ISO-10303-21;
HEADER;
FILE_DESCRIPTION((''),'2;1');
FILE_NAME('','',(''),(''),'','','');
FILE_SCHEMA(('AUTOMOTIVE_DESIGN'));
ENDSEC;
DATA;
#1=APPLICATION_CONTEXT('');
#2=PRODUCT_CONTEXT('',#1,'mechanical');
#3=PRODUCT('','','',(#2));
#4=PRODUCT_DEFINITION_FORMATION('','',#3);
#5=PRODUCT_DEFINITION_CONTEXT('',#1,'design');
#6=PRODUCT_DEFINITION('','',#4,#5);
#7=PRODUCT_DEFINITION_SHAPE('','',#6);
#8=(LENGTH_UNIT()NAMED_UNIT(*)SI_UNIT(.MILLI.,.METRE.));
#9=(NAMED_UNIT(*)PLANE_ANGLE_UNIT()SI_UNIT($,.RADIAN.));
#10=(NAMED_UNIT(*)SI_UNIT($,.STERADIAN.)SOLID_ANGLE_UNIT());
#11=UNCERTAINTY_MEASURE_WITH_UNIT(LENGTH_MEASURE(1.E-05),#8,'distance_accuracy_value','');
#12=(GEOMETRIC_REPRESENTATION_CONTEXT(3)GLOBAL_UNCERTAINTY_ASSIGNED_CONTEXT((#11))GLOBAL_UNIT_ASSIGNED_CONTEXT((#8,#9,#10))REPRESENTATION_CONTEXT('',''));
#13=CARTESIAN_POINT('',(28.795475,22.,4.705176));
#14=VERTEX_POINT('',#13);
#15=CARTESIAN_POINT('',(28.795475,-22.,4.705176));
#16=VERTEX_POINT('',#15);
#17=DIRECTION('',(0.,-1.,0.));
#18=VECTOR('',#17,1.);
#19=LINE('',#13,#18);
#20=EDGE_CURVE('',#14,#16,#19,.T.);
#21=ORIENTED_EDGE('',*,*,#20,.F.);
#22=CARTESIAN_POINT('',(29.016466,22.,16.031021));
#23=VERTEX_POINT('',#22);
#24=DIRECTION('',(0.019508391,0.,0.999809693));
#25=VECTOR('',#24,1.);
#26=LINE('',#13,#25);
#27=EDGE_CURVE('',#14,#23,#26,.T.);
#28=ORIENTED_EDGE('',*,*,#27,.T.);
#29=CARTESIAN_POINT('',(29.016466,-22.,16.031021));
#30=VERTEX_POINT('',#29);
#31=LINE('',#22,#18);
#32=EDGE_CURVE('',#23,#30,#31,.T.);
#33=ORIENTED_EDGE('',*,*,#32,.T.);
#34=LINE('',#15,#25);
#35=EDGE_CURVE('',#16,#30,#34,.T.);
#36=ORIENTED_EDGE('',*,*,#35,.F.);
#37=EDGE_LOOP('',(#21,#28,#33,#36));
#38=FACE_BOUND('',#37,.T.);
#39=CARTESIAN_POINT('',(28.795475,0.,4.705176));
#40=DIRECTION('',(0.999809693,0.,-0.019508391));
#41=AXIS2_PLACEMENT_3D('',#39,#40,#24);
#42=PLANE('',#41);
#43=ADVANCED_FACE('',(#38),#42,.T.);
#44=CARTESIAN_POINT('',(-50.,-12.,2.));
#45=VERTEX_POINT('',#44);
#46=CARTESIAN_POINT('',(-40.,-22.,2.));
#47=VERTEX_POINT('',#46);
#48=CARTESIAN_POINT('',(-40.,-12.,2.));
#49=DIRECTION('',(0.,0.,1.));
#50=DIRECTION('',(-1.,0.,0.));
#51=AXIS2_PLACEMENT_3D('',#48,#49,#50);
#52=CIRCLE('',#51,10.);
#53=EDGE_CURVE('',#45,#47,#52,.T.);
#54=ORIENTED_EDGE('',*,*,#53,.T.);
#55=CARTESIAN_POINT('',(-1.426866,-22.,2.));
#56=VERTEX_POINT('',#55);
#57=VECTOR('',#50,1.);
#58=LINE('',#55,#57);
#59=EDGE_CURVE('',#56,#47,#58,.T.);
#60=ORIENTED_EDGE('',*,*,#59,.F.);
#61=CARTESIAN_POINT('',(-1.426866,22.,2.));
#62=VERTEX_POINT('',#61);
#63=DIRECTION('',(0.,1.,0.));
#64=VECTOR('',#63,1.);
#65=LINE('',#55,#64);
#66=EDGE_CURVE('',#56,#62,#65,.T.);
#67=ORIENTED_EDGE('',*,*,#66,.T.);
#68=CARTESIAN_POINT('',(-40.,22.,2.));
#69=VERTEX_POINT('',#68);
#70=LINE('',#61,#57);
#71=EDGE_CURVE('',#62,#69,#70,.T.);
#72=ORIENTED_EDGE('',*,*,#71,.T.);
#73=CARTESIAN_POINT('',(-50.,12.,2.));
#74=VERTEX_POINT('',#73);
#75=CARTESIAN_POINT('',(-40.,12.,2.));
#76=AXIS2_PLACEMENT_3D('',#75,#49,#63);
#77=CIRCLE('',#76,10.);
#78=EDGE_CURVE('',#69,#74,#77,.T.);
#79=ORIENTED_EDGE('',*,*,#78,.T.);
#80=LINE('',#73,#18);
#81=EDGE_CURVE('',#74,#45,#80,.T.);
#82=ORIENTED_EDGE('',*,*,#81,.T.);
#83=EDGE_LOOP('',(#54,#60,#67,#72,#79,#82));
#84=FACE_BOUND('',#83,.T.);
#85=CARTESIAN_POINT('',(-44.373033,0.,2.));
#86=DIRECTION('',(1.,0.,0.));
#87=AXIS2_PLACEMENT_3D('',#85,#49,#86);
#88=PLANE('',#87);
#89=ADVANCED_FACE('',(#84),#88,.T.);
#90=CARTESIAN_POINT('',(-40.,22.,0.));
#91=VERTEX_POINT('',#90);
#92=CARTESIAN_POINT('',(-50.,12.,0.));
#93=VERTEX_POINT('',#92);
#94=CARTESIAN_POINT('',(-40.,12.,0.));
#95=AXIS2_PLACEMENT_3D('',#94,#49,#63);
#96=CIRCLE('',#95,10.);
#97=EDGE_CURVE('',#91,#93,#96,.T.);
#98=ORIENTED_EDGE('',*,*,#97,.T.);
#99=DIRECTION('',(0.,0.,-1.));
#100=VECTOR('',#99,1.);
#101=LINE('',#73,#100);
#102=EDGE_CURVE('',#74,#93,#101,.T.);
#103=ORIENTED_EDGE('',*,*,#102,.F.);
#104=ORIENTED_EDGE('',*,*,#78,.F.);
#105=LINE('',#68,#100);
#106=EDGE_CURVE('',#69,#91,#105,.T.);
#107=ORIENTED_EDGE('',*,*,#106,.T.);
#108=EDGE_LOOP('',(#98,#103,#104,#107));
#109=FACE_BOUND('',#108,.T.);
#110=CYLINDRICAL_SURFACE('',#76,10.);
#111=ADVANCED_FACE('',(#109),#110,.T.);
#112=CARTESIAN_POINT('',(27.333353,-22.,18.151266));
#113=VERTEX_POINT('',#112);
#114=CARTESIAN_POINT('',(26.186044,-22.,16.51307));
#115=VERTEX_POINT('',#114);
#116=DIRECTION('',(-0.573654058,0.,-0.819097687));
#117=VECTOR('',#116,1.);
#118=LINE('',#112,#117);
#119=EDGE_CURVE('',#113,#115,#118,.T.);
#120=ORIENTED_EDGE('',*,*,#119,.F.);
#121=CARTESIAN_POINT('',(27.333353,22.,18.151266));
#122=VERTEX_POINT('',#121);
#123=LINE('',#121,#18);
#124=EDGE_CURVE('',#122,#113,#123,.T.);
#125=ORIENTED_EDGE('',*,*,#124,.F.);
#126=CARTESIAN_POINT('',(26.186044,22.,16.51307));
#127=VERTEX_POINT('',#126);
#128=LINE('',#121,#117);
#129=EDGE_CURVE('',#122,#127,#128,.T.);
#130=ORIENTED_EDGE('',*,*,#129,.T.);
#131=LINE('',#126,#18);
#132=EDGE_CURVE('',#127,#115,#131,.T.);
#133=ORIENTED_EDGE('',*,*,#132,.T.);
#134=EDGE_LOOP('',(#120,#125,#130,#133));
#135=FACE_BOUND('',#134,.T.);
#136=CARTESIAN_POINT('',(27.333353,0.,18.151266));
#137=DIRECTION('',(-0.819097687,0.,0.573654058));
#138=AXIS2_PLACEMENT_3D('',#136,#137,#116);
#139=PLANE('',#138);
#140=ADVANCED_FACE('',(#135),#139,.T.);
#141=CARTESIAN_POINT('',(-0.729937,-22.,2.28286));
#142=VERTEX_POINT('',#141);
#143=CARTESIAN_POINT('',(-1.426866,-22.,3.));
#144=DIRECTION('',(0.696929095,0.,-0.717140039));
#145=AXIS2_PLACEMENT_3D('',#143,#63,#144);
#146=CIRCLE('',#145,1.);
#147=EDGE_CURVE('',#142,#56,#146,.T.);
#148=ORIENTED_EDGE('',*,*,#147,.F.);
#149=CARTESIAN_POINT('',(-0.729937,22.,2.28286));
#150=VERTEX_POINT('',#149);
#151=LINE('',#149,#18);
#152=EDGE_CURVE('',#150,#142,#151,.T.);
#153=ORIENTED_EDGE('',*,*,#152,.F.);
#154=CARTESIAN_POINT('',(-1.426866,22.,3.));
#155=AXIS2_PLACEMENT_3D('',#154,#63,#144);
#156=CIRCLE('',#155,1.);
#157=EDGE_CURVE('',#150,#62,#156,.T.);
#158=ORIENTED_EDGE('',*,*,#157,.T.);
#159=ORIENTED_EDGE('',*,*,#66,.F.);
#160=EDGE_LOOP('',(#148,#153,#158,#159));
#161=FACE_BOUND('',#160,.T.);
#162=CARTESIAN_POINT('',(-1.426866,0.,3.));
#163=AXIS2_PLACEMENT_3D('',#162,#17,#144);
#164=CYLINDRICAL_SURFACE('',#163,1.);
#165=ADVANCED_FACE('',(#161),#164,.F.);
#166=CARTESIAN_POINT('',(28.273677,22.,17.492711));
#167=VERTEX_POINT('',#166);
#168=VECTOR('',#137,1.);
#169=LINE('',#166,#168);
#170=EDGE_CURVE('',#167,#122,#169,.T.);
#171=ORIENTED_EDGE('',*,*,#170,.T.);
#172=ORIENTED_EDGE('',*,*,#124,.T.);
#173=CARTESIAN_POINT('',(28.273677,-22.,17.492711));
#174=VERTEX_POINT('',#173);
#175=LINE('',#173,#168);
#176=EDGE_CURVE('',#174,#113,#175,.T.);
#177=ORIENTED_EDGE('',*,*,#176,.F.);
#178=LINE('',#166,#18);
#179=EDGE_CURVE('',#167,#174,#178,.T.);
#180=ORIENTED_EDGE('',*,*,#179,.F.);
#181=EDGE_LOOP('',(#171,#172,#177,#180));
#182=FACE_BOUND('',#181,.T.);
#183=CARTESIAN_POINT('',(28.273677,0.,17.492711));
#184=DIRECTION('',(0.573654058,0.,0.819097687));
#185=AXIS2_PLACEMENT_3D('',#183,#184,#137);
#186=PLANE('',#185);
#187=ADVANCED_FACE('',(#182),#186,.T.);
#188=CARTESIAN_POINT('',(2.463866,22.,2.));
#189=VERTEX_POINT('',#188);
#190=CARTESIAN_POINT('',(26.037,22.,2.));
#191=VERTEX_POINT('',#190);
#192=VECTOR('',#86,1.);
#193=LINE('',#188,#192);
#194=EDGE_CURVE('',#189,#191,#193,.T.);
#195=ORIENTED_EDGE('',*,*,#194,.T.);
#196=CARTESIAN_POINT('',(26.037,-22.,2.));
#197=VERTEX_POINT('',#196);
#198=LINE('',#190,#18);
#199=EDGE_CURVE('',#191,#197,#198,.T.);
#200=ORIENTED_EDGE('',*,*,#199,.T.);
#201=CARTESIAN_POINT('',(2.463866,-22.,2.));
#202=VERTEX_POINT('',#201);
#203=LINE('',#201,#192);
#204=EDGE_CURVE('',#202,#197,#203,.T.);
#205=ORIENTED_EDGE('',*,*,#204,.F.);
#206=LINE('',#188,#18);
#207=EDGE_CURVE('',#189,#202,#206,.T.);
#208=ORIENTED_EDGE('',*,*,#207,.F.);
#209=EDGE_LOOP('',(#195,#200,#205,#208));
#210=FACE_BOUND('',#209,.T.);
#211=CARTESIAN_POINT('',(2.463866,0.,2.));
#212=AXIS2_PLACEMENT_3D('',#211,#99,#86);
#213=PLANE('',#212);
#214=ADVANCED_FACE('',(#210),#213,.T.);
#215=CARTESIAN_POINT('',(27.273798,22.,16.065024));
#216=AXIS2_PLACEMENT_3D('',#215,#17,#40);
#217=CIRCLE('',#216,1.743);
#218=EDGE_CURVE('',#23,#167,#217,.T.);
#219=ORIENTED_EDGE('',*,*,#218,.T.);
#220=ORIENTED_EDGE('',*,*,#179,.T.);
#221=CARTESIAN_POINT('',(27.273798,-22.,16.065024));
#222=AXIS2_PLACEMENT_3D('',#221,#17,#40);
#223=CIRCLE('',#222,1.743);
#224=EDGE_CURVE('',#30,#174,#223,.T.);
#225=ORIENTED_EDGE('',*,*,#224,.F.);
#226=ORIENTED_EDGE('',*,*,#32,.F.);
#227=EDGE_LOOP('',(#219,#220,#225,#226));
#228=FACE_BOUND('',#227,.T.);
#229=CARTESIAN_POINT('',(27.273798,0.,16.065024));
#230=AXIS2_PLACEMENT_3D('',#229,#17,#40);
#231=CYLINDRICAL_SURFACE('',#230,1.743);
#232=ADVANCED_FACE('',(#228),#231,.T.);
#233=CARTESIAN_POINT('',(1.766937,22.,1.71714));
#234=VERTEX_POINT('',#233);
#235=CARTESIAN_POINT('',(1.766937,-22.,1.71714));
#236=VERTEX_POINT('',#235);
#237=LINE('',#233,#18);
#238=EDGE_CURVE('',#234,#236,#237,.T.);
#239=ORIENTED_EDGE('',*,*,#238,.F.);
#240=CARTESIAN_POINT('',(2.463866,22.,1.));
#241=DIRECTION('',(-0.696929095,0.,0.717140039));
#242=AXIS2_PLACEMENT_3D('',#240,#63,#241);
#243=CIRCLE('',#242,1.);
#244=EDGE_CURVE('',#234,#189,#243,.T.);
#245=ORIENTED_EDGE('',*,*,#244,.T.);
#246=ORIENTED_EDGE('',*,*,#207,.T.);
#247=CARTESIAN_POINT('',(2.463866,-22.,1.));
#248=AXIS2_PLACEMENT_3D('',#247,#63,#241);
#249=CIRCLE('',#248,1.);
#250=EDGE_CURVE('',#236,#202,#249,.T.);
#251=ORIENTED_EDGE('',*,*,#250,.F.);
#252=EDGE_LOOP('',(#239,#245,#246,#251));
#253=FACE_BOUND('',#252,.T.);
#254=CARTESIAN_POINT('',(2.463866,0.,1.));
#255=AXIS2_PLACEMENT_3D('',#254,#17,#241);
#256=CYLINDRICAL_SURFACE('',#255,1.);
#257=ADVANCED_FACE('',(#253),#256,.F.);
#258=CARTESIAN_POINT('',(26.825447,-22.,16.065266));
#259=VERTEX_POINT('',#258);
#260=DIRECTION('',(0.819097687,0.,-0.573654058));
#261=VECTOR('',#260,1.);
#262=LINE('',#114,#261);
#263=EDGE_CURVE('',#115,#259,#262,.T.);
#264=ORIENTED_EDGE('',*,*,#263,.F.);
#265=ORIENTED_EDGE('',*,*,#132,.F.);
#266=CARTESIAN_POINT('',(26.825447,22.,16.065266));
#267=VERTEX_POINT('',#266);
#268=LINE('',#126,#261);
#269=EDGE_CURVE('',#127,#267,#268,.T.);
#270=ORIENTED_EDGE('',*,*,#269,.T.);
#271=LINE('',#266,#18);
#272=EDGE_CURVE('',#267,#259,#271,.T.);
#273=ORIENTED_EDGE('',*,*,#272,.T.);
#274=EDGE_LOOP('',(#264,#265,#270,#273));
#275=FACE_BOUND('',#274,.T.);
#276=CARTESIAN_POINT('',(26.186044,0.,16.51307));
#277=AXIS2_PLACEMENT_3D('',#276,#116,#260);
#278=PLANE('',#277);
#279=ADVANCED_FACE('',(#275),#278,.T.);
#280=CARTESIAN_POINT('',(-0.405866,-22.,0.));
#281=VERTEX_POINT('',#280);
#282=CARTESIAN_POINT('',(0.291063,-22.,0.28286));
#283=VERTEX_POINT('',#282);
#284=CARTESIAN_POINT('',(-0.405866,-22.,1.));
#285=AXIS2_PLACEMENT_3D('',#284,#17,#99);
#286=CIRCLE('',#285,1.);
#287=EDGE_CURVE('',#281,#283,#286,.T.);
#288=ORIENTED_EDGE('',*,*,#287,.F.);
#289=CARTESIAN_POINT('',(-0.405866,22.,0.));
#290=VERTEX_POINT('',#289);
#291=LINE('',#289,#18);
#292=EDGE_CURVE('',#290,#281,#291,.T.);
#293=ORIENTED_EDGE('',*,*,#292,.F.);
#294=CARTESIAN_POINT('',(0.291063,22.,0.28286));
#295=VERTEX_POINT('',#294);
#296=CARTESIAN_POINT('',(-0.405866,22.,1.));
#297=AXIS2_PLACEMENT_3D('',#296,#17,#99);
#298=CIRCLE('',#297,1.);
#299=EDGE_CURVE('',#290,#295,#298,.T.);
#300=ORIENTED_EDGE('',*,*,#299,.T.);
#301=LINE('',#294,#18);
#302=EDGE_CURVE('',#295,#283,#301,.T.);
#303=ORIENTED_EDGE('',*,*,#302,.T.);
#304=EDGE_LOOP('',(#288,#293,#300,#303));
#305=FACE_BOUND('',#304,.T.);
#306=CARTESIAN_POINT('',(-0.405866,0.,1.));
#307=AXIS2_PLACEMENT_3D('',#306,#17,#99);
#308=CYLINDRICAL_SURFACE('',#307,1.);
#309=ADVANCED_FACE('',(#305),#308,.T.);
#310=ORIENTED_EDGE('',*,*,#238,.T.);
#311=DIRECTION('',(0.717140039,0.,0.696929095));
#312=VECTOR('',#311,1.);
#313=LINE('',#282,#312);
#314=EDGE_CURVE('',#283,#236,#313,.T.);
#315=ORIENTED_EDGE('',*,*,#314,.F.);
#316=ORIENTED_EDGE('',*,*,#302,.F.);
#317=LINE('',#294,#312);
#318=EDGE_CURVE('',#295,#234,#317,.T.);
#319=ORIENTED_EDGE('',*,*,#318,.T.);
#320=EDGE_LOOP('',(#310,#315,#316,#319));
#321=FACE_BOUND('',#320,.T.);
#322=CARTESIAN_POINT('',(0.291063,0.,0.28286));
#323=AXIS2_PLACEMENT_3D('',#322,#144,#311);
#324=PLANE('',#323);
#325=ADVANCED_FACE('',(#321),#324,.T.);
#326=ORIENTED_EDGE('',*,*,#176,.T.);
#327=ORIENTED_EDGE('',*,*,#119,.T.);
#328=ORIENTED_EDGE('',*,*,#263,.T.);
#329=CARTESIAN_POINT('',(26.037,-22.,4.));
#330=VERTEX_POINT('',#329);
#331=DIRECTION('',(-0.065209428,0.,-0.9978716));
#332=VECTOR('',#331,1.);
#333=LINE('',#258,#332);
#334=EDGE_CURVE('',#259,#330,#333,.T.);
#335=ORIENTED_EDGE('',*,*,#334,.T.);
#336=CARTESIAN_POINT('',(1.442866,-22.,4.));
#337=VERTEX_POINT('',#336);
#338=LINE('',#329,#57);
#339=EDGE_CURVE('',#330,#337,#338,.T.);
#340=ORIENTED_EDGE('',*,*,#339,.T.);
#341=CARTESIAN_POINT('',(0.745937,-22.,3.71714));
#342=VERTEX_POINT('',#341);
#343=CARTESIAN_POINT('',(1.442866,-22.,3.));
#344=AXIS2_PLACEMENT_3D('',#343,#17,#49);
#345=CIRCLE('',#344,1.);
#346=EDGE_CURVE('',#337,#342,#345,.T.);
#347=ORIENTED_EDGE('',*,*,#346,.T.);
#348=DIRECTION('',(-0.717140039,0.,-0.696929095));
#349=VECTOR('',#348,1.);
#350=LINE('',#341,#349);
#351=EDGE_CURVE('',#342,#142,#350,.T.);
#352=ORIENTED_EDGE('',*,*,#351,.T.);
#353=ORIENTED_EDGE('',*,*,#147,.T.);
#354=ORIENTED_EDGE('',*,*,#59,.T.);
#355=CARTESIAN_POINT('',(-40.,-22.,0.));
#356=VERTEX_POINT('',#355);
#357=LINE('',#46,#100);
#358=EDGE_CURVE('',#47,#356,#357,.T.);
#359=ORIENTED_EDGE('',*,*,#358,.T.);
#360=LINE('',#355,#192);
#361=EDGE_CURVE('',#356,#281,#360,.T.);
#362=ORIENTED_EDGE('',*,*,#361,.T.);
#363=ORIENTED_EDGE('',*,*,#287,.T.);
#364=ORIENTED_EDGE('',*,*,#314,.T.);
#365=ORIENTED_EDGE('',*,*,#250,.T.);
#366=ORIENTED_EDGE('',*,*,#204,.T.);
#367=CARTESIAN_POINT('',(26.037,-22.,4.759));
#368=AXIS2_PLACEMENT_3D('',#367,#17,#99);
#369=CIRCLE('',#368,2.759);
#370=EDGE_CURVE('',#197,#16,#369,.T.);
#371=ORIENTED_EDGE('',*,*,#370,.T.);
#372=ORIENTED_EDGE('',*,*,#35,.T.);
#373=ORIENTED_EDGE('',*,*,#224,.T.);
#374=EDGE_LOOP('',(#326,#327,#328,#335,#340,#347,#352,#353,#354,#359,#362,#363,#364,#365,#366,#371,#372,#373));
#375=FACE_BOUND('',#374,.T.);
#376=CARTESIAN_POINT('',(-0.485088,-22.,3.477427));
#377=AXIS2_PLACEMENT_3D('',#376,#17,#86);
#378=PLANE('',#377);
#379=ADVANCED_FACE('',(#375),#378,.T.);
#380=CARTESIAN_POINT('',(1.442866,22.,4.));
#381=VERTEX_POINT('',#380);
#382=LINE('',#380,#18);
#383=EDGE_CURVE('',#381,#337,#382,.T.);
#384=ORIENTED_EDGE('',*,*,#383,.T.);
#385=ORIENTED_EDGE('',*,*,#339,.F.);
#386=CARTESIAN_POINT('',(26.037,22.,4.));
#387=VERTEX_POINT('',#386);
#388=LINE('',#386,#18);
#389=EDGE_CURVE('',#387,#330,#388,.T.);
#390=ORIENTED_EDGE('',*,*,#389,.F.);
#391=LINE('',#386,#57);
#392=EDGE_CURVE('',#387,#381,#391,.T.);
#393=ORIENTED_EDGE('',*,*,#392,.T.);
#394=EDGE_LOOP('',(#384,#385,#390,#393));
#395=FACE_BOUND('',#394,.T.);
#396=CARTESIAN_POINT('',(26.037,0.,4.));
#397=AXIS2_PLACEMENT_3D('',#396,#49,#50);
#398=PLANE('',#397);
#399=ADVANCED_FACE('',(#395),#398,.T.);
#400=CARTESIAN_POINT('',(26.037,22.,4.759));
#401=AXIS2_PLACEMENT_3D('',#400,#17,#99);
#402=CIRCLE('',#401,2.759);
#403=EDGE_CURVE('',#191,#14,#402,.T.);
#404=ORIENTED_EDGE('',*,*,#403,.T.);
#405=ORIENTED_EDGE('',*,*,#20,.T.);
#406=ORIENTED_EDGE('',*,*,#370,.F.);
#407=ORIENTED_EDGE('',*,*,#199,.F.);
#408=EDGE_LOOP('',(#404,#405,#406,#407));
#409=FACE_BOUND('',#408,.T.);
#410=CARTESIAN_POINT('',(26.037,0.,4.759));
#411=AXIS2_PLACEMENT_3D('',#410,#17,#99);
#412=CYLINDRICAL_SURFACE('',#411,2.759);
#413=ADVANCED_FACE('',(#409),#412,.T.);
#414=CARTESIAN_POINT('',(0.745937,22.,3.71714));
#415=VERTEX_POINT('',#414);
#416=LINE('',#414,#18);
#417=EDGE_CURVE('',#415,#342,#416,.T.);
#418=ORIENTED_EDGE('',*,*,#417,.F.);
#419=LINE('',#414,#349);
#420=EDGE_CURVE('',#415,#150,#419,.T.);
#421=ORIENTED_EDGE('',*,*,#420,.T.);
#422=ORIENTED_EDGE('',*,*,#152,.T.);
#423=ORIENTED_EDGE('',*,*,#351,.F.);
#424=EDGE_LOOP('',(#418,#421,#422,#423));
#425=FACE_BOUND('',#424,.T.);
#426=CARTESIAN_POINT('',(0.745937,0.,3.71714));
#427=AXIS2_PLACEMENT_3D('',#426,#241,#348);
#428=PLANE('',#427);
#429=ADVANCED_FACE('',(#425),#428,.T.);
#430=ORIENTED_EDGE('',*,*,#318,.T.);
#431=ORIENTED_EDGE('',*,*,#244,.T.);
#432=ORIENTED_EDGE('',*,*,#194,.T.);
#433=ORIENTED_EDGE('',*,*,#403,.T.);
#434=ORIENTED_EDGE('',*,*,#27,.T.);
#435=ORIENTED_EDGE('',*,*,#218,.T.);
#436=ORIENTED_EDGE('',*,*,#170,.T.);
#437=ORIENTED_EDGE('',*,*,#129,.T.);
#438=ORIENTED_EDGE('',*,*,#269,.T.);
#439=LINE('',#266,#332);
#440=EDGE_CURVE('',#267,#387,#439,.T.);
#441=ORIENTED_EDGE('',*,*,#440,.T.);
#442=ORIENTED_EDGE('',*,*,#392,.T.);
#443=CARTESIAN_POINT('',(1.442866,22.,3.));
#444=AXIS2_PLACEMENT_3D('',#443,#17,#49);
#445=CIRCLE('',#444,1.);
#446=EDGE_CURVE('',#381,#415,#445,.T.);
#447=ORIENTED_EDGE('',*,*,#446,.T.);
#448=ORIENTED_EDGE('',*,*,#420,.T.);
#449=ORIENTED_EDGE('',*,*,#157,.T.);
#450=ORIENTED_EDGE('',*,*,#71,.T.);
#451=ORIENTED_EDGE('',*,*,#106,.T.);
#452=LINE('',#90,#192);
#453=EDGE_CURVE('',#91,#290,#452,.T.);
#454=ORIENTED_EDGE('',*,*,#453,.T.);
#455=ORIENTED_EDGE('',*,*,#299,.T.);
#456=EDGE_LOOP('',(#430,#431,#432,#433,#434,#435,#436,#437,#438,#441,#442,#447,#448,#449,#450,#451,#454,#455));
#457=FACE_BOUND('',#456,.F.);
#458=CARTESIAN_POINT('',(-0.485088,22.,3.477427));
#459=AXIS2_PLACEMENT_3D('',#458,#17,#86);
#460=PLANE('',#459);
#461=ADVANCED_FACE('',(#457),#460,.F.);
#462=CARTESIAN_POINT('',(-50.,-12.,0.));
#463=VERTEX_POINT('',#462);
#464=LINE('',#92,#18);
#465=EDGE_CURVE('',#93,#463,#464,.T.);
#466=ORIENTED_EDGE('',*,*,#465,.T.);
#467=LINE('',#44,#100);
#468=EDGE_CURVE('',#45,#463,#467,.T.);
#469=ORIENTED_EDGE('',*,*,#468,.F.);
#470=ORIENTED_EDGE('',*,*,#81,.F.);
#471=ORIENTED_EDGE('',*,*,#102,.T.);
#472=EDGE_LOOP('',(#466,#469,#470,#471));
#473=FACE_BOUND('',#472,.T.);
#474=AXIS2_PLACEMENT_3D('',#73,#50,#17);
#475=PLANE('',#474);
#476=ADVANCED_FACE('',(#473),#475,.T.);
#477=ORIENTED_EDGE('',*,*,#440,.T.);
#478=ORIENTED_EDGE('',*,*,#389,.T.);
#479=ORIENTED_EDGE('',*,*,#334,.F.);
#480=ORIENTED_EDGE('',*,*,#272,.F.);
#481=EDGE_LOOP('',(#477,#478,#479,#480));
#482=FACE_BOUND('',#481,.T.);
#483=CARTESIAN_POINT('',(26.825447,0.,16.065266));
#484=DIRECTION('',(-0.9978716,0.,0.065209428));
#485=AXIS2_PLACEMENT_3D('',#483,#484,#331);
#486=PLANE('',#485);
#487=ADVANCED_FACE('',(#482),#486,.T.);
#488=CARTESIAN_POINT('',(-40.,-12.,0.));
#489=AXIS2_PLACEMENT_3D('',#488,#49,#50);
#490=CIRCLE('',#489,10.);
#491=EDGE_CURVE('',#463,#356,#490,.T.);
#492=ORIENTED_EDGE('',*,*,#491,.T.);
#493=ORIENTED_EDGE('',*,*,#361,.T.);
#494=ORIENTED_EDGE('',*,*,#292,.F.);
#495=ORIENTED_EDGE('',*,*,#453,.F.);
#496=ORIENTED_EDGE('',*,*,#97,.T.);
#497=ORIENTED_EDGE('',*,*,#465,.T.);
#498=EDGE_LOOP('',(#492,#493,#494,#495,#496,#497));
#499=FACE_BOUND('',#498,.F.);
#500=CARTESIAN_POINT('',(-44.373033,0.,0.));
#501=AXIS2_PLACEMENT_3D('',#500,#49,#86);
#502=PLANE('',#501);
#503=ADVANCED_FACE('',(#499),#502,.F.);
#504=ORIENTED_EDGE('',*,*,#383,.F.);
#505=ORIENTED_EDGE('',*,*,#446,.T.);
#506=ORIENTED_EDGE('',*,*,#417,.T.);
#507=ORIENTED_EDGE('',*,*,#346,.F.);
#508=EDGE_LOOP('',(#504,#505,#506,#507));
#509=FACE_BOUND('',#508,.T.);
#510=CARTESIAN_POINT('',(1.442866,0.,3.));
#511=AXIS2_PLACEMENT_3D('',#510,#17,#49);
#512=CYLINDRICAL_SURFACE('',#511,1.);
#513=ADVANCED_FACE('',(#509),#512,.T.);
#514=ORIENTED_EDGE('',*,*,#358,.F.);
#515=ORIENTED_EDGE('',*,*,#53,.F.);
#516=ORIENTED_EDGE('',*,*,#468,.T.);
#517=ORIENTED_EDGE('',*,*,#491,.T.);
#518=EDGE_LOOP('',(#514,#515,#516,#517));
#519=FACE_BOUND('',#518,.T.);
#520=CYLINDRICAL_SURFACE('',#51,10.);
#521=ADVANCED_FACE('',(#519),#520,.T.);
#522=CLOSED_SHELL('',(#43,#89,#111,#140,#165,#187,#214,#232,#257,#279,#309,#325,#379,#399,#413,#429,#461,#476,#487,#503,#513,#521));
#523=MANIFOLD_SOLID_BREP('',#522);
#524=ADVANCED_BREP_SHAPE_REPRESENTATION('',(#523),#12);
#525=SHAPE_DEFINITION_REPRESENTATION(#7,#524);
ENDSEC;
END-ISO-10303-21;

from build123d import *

# Parameters (mm, degrees)
F1_DEPTH = 22
F3_DEPTH = 2


with BuildPart() as f1:
    # F0 (on Front) → F1 (new body, symmetric)
    with BuildSketch(Plane.XZ):
        with BuildLine():
            Line((-40, 0), (-0.4058661959, 0))
            ThreePointArc((-0.4058661959, 0), (-0.0297944203, 0.073409465), (0.2910628996, 0.2828599608))
            Line((0.2910628996, 0.2828599608), (1.7669371004, 1.7171400392))
            ThreePointArc((1.7669371004, 1.7171400392), (2.0877944203, 1.926590535), (2.4638661959, 2))
            Line((2.4638661959, 2), (26.037, 2))
            ThreePointArc((26.037, 2), (27.9687843496, 2.7891547709), (28.7954749436, 4.705176349))
            Line((28.7954749436, 4.705176349), (29.016465998, 16.0310205539))
            ThreePointArc((29.016465998, 16.0310205539), (28.8276722638, 16.8546583092), (28.2736767263, 17.4927109486))
            Line((28.2736767263, 17.4927109486), (27.3333525812, 18.1512658075))
            Line((27.3333525812, 18.1512658075), (26.1860444646, 16.5130704329))
            Line((26.1860444646, 16.5130704329), (26.8254471929, 16.0652655182))
            Line((26.8254471929, 16.0652655182), (26.037, 4))
            Line((26.037, 4), (1.4428661959, 4))
            ThreePointArc((1.4428661959, 4), (1.0667944203, 3.926590535), (0.7459371004, 3.7171400392))
            Line((0.7459371004, 3.7171400392), (-0.7299371004, 2.2828599608))
            ThreePointArc((-0.7299371004, 2.2828599608), (-1.0507944203, 2.073409465), (-1.4268661959, 2))
            Line((-1.4268661959, 2), (-40, 2))
            Line((-40, 2), (-40, 0))
        make_face()
    extrude(amount=F1_DEPTH, both=True)

    # F2 (on face) → F3 (join)
    with BuildSketch(Plane.XY.offset(2)):
        with BuildLine():
            Line((-50, 12), (-50, -12))
            ThreePointArc((-50, -12), (-47.0710678119, -19.0710678119), (-40, -22))
            Line((-40, -22), (-40, 22))
            ThreePointArc((-40, 22), (-47.0710678119, 19.0710678119), (-50, 12))
        make_face()
    extrude(amount=-F3_DEPTH)


solid = f1.part
